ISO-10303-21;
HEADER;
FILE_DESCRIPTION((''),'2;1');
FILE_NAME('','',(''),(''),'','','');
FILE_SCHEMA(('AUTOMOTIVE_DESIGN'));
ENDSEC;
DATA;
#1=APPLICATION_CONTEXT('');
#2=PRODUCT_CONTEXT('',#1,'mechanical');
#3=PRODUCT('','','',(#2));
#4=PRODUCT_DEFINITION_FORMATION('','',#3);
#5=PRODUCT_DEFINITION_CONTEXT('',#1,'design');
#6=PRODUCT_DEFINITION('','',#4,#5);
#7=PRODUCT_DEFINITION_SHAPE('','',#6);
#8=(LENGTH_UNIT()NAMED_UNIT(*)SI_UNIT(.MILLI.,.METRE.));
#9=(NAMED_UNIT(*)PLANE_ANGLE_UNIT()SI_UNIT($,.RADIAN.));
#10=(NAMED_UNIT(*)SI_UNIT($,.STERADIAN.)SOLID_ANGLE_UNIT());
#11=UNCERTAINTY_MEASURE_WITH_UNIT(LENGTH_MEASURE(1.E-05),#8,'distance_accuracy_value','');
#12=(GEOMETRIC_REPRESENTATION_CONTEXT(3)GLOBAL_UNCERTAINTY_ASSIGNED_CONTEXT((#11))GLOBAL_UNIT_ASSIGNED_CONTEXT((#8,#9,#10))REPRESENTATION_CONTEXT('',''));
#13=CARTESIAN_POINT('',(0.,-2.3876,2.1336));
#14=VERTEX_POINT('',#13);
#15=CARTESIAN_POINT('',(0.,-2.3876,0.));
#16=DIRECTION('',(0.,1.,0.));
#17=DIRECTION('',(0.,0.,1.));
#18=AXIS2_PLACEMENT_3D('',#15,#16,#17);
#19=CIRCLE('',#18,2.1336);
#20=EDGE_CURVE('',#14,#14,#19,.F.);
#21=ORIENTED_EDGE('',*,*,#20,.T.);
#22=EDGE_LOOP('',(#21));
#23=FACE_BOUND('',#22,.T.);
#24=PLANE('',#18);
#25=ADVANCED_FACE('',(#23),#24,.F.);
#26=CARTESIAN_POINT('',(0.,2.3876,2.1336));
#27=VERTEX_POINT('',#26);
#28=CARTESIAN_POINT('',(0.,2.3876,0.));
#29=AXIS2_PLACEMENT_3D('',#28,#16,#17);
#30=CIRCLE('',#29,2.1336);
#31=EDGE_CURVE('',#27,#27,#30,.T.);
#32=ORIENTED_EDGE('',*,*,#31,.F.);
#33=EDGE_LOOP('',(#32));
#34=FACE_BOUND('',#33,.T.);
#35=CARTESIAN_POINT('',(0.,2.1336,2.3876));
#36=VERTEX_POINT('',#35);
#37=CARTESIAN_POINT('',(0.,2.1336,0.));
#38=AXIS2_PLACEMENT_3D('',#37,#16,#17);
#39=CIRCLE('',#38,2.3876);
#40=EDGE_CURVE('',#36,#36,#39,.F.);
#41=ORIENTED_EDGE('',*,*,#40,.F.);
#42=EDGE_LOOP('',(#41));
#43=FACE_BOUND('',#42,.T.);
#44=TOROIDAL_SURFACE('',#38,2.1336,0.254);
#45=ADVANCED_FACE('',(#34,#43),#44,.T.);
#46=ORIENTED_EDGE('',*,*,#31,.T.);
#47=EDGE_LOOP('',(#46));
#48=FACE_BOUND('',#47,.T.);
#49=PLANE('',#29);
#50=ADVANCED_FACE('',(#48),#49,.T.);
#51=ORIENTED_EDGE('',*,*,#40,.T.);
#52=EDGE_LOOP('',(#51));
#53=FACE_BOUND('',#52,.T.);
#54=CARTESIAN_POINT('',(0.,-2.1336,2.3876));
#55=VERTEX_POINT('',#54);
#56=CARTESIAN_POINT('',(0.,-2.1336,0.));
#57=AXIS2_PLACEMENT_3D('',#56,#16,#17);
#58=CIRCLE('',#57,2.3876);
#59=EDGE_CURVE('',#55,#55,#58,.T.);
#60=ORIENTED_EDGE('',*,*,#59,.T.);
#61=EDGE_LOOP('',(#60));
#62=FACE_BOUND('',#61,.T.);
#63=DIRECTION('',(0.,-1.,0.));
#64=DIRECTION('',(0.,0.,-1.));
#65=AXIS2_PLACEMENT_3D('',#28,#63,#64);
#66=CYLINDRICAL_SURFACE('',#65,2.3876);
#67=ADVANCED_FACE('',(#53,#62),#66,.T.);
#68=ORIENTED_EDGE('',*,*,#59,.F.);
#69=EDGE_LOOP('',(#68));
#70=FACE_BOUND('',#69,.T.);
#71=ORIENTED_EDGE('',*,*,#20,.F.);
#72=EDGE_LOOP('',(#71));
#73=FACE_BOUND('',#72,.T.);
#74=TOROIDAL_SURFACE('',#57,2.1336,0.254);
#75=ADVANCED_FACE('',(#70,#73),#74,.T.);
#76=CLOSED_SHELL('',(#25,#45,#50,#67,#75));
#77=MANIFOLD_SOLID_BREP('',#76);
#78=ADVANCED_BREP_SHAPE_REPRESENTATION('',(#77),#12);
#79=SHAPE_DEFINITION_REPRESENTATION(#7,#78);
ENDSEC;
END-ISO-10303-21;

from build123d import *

# Parameters (mm, degrees)
SKETCH1_R           = 2.3876
BOSS_EXTRUDE1_DEPTH = 2.3876
FILLET1_R           = 0.254


with BuildPart() as part:
    # Sketch1 → Boss-Extrude1 (new, symmetric)
    with BuildSketch(Plane(origin=(0, 0, 0), x_dir=(1, 0, 0), z_dir=(0, 1, 0))):
        with Locations(Location((0, 0, 0), (0, 0, 270))):
            Circle(SKETCH1_R)
    extrude(amount=BOSS_EXTRUDE1_DEPTH, both=True)

    # Fillet1
    fillet1_edges = [part.edges().sort_by_distance(p)[0] for p in [
        (0, -2.3876, -2.3876),
        (0, 2.3876, -2.3876),
    ]]
    fillet(fillet1_edges, radius=FILLET1_R)


solid = part.part
